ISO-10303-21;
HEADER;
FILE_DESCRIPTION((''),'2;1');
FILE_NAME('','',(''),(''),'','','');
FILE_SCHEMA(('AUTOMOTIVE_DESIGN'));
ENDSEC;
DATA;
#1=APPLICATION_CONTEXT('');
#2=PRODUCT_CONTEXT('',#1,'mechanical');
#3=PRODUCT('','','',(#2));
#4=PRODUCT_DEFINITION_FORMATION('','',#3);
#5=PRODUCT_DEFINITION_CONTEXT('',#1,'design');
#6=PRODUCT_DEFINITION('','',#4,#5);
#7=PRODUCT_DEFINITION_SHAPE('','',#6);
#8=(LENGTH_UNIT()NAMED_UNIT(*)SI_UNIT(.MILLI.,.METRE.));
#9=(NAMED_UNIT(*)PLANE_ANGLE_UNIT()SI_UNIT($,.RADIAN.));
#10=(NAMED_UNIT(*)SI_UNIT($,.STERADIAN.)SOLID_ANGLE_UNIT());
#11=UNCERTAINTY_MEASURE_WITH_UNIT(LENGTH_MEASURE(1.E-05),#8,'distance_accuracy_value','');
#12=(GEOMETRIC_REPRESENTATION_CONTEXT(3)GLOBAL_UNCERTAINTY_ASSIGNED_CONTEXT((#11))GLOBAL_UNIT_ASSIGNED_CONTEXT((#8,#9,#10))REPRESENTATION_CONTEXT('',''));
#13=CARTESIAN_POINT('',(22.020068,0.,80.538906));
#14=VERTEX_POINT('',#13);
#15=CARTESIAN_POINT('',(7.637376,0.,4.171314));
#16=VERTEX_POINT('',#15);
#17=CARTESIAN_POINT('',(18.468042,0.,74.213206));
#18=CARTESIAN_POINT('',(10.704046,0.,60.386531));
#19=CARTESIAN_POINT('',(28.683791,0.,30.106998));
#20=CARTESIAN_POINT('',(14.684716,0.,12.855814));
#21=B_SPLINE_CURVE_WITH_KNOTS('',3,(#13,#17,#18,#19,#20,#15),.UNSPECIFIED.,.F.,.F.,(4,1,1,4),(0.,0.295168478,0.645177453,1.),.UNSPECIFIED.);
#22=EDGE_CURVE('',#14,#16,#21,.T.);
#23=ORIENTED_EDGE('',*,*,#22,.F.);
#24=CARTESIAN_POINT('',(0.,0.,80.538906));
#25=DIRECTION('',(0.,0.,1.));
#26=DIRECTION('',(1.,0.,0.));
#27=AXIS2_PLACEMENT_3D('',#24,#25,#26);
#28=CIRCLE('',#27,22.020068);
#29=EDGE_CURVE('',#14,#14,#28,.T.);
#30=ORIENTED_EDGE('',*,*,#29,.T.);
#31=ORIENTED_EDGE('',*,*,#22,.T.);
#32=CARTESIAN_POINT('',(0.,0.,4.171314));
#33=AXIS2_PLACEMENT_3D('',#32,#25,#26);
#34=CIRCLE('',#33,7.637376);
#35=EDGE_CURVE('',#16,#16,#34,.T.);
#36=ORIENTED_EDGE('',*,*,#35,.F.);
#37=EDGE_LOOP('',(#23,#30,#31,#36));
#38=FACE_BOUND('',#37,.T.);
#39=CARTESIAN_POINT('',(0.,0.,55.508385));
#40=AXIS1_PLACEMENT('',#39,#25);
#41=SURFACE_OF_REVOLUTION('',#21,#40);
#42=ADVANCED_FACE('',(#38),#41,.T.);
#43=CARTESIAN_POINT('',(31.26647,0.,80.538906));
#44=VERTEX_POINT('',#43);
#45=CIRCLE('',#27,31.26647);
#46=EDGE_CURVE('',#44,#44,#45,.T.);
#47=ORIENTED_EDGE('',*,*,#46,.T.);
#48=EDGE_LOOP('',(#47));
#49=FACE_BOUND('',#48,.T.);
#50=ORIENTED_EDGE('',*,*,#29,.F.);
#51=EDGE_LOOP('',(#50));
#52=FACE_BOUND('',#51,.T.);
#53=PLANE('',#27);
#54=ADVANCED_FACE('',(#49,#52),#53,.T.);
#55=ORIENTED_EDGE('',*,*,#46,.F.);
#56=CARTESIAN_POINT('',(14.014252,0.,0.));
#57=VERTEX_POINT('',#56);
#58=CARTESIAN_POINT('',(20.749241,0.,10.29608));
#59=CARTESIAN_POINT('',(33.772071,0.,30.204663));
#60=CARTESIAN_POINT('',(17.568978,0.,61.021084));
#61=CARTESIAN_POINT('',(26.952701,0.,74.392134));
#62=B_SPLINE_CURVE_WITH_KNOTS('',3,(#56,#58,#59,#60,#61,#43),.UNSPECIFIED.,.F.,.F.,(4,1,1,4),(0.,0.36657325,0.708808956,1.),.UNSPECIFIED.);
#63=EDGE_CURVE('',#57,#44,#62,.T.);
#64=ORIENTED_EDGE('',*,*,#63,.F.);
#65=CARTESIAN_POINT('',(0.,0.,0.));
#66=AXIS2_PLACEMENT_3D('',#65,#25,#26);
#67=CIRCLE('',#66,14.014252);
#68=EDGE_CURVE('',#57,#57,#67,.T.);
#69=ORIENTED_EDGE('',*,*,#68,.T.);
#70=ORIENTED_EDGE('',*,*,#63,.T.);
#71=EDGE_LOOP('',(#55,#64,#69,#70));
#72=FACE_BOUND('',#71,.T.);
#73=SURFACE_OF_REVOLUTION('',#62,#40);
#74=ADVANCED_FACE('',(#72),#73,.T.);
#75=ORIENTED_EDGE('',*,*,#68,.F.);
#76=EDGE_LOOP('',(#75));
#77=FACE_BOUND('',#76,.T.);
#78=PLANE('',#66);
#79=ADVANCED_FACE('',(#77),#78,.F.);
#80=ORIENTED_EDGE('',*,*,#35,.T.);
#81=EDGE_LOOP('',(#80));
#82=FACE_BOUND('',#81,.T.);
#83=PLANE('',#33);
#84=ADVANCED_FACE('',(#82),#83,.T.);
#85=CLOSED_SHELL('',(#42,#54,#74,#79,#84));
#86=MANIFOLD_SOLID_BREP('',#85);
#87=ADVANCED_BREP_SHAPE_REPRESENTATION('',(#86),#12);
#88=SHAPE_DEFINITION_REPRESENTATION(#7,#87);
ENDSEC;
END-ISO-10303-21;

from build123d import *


with BuildPart() as f1:
    # F0 (on Front) → F1 (revolve)
    with BuildSketch(Plane.XZ):
        with BuildLine():
            Line((0, 4.1713144138), (0, 0))
            Line((0, 0), (14.0142515302, 0))
            add(Edge.make_bspline(
                [(14.0142515302, 0), (20.7492411307, 10.2960801399), (33.7720706735, 30.2046627174), (17.5689776902, 61.0210836086), (26.9527011914, 74.3921337665), (31.2664695084, 80.538906157)],
                knots=[0, 0, 0, 0, 0.3665732496, 0.7088089556, 1, 1, 1, 1], degree=3))
            Line((31.2664695084, 80.538906157), (22.0200679373, 80.538906157))
            add(Edge.make_bspline(
                [(22.0200679373, 80.538906157), (18.4680422881, 74.2132064318), (10.7040463527, 60.3865306683), (28.6837911469, 30.1069982791), (14.6847163936, 12.8558140718), (7.6373764286, 4.1713144138)],
                knots=[0, 0, 0, 0, 0.2951684779, 0.6451774534, 1, 1, 1, 1], degree=3))
            Line((7.6373764286, 4.1713144138), (0, 4.1713144138))
        make_face()
    revolve(axis=Axis((0, 0, 55.5083851088), (0, 0, 1)))


solid = f1.part
